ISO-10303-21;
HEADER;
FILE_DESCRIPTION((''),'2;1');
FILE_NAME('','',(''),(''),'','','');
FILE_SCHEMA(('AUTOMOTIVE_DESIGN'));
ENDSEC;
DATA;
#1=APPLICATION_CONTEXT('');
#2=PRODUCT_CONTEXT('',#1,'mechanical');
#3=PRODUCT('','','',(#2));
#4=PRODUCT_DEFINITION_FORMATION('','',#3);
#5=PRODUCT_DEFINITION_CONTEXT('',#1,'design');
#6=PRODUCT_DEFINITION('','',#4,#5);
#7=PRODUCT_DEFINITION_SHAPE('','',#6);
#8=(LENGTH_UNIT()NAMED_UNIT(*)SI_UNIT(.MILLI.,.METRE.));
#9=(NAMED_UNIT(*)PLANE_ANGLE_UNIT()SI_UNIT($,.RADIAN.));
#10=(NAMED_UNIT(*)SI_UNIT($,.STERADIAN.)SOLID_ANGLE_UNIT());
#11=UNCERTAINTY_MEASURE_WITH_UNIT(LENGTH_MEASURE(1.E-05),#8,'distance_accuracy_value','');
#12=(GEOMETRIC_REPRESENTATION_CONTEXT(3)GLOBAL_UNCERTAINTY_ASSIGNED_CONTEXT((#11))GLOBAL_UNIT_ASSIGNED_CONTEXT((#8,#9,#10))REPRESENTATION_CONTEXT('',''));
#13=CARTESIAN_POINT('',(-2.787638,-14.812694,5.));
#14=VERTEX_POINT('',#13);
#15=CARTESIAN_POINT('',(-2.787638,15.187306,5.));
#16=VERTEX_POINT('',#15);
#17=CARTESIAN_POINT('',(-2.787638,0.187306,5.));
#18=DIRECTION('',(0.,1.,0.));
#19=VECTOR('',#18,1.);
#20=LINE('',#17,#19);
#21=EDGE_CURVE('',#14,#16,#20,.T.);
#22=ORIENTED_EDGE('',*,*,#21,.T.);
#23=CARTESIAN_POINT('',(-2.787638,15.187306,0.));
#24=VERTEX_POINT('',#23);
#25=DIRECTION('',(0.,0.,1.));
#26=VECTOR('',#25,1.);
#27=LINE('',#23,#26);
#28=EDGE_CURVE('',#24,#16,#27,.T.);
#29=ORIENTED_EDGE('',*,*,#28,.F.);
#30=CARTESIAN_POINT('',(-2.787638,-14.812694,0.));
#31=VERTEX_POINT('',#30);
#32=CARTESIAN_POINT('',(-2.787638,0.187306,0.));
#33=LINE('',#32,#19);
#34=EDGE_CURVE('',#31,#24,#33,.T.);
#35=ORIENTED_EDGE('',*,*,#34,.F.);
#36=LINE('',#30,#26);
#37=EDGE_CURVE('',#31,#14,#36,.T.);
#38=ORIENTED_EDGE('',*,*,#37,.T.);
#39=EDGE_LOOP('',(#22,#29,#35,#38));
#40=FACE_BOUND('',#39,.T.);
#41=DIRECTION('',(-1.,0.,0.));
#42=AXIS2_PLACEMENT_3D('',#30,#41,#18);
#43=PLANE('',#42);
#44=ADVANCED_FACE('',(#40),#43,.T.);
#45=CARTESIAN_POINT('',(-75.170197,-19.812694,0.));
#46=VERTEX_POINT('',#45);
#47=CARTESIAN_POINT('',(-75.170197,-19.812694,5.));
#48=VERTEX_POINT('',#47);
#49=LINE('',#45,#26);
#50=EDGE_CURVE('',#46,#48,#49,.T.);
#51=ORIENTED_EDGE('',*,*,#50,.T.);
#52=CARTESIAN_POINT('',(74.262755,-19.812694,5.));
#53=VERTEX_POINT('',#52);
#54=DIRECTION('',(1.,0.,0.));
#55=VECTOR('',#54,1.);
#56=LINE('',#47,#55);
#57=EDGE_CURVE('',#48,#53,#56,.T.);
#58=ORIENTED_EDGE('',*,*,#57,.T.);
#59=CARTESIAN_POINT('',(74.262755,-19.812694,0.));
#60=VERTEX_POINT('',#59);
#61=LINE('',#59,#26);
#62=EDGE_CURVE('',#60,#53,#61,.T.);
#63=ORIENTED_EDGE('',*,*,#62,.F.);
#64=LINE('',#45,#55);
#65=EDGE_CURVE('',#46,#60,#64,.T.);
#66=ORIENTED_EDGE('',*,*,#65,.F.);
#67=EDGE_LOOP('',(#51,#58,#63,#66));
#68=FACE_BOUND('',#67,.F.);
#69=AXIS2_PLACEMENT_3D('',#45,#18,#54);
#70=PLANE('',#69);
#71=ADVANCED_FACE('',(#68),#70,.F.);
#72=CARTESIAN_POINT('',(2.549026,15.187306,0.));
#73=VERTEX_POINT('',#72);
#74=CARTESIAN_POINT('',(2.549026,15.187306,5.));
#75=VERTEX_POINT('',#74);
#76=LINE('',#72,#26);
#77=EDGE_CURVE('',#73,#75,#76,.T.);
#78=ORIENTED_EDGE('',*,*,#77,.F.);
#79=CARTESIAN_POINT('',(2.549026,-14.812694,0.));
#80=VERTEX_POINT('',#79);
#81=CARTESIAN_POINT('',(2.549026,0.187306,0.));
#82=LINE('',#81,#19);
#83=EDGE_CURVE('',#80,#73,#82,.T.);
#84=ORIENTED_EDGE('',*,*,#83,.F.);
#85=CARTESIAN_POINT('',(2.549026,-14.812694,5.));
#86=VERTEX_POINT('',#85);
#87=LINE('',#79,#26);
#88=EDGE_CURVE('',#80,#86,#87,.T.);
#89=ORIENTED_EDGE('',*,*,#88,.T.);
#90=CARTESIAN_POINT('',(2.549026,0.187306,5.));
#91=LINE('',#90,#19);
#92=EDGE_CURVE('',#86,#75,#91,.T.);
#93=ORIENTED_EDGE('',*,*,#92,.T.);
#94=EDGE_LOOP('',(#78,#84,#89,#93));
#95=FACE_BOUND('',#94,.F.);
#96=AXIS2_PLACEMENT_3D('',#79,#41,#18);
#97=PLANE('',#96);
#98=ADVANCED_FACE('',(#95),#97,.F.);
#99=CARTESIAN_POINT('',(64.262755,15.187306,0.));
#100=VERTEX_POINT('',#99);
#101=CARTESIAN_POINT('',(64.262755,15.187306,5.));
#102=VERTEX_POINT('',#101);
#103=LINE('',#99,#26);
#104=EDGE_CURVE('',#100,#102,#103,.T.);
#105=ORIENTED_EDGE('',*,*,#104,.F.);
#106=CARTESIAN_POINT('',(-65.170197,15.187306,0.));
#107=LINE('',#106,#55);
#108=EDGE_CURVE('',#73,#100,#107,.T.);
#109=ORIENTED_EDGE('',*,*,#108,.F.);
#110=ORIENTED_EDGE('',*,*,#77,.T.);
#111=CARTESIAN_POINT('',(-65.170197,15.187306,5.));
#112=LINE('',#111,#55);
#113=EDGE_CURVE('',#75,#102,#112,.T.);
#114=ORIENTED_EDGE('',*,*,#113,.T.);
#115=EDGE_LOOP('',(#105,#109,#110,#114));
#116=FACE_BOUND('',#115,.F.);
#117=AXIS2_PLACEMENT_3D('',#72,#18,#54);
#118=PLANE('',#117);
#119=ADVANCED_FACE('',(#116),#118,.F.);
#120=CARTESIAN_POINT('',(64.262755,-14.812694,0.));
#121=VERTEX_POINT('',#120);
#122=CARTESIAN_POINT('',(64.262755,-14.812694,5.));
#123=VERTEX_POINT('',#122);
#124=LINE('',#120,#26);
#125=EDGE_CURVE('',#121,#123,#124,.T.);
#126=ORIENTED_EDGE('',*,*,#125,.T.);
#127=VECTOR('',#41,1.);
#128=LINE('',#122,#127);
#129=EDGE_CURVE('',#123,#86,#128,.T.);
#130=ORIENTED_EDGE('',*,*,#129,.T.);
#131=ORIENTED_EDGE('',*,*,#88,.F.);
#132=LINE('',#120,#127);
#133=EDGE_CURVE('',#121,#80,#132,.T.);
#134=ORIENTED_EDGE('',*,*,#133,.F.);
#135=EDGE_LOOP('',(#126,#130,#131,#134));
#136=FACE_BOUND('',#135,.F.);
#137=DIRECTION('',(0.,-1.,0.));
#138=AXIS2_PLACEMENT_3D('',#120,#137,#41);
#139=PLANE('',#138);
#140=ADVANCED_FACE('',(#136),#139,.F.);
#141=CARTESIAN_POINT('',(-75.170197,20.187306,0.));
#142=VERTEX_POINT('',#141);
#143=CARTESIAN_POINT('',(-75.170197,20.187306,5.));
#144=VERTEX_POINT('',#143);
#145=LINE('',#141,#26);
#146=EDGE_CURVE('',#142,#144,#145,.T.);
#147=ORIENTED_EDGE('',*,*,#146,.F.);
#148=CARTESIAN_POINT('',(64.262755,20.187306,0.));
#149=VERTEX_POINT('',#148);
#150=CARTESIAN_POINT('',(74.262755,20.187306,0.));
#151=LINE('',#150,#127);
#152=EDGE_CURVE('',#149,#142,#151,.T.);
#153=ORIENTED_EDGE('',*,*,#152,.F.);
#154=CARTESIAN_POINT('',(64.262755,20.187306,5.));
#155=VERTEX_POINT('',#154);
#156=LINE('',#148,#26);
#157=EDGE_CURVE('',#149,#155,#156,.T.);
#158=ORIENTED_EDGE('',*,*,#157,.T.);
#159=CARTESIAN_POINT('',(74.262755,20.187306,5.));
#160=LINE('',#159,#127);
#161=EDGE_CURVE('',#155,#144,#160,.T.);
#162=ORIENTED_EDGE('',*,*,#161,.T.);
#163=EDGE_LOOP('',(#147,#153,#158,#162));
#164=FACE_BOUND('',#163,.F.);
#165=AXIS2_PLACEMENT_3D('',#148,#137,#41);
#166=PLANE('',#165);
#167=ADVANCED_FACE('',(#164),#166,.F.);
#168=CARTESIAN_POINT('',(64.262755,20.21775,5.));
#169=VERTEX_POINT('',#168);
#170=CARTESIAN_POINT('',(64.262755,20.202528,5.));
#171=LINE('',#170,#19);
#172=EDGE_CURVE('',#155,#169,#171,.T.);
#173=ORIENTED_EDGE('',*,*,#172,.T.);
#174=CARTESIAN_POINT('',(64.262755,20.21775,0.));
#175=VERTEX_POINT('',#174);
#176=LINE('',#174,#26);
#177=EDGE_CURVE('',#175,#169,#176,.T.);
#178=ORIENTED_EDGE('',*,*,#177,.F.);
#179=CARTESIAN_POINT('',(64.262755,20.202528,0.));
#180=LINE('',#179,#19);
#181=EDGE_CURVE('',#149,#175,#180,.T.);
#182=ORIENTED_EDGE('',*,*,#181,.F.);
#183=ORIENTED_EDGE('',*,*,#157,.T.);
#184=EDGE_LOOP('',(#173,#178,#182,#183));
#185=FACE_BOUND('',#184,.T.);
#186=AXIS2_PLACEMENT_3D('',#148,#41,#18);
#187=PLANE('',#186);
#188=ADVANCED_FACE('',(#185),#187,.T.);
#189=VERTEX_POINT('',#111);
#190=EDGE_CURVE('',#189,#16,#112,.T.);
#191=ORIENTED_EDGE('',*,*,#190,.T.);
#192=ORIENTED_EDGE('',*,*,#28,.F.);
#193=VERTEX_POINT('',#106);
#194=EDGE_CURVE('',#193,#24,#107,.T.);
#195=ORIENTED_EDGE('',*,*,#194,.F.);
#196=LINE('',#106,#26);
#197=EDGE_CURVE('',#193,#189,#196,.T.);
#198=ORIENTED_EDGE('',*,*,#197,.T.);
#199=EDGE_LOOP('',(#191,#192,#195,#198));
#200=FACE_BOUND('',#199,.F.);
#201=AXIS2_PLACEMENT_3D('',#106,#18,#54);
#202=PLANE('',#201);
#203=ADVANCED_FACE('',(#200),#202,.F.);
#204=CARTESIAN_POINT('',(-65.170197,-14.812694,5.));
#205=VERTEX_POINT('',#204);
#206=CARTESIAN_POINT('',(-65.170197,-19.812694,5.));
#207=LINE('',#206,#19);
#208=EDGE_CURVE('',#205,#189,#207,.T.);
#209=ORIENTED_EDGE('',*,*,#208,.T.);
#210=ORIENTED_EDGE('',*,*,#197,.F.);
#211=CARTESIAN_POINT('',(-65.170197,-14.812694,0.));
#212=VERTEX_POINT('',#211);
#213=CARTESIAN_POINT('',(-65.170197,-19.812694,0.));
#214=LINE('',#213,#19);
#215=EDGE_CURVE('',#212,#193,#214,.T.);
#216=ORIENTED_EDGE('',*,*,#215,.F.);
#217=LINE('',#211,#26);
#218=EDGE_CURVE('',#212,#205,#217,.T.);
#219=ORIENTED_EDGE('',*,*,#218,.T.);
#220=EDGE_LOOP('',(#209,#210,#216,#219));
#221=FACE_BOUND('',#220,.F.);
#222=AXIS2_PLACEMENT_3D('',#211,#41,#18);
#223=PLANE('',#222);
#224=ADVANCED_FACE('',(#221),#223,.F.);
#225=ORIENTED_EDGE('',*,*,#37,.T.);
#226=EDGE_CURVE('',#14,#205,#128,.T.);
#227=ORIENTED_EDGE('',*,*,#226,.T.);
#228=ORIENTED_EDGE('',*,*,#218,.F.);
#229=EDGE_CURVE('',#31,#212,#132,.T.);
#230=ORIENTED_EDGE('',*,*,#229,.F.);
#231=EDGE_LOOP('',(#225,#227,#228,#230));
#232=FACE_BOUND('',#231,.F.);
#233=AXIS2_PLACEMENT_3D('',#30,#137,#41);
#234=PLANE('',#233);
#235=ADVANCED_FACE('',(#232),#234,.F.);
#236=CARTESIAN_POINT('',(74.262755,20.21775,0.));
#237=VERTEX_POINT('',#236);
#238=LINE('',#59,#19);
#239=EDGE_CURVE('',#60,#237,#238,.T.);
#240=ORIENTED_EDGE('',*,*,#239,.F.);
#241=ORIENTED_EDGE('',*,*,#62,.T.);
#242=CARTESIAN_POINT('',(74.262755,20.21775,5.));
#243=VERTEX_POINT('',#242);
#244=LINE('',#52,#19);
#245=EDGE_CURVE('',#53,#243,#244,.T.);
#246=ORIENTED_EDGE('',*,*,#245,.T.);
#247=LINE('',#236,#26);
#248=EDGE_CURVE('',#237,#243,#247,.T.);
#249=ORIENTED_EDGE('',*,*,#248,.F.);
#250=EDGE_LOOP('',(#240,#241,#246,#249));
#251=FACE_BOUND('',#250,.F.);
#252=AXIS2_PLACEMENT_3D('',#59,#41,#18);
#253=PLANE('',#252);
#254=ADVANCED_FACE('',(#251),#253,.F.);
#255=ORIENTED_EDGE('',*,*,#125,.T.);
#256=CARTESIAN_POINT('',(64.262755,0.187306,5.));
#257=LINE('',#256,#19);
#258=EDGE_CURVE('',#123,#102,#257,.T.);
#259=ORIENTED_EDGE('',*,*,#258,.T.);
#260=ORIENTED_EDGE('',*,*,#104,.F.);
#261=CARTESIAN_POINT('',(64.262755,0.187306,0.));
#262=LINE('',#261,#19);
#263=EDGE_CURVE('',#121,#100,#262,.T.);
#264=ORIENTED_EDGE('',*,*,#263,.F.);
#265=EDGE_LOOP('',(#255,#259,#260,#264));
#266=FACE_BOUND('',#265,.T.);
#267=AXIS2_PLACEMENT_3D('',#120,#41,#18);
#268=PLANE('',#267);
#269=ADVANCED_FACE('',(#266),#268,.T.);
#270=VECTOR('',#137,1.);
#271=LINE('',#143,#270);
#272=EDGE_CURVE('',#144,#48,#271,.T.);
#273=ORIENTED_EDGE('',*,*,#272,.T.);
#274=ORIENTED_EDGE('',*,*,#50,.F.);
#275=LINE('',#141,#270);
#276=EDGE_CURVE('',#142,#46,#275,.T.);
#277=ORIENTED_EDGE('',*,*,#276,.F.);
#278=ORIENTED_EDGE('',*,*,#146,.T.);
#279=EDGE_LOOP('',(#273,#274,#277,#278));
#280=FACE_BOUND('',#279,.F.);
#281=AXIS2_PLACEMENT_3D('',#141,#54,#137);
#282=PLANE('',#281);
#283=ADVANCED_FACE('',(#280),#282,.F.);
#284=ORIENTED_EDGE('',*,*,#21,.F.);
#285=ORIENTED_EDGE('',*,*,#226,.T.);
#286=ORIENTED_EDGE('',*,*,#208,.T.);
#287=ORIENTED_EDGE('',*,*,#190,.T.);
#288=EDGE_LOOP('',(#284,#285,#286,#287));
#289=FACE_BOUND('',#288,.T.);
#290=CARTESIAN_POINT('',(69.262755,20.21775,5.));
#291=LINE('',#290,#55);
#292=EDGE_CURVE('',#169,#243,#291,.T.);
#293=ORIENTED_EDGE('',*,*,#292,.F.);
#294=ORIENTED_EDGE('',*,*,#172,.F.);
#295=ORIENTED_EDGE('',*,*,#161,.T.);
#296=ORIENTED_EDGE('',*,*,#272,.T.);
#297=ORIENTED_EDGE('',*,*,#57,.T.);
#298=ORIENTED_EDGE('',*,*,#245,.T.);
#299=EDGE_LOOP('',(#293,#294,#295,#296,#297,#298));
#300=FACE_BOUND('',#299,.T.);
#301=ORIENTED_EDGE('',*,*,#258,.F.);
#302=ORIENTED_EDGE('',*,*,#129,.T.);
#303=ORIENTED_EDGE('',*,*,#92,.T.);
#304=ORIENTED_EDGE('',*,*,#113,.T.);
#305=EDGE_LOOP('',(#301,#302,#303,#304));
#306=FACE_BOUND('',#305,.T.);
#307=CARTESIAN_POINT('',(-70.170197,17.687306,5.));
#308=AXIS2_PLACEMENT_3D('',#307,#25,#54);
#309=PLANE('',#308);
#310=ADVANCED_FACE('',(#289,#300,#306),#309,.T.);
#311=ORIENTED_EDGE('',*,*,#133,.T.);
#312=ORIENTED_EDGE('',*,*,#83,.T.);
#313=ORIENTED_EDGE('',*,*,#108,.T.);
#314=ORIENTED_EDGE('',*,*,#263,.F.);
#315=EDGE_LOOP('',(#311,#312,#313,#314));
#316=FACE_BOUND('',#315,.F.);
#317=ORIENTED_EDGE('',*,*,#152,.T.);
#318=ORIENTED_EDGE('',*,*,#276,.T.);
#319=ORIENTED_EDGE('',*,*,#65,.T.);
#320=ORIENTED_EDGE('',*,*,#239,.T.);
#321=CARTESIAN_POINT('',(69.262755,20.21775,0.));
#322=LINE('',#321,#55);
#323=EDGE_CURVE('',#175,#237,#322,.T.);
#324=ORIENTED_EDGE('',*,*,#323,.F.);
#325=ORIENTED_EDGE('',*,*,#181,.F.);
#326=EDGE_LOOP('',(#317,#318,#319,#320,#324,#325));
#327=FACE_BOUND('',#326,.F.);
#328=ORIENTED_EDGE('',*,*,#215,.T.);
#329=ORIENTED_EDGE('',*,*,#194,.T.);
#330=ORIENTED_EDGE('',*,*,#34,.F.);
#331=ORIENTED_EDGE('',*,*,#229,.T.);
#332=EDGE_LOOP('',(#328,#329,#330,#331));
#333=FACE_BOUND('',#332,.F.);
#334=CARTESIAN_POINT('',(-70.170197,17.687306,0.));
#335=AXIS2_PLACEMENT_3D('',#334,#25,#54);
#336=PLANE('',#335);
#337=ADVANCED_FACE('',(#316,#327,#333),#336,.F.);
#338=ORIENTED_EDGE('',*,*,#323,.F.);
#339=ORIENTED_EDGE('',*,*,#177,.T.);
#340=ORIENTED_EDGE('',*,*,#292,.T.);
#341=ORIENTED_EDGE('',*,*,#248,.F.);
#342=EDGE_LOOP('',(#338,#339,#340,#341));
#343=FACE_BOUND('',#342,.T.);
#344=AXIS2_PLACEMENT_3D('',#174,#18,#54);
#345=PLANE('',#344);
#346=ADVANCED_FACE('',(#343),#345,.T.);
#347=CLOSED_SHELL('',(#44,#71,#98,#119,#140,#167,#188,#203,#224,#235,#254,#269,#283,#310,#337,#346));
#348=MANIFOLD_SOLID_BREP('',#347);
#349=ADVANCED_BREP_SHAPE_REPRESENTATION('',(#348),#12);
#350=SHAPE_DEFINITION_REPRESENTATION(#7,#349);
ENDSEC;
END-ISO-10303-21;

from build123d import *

# Parameters (mm, degrees)
F0_W     = 10
F0_H     = 5
F0_W_2   = 62.3825581372
F0_H_2   = 30
F0_W_3   = 5.3366641514
F0_W_4   = 61.7137295194
F0_H_3   = 0.0304440409
F0_H_4   = 4.9695559591
F1_DEPTH = 5


with BuildPart() as f1:
    # F0 (on Top) → F1 (new body)
    with BuildSketch(Plane.XY):
        with Locations((-70.1701965928, 17.6873061806)):
            Rectangle(F0_W, F0_H)
        with Locations((-33.9789175242, 17.6873061806)):
            Rectangle(F0_W_2, F0_H)
        with Locations((-70.1701965928, 0.1873061806)):
            Rectangle(F0_W, F0_H_2)
        with Locations((-0.1193063799, 17.6873061806)):
            Rectangle(F0_W_3, F0_H)
        with Locations((-70.1701965928, -17.3126938194)):
            Rectangle(F0_W, F0_H)
        with Locations((-33.9789175242, -17.3126938194)):
            Rectangle(F0_W_2, F0_H)
        with Locations((33.4058904555, 17.6873061806)):
            Rectangle(F0_W_4, F0_H)
        with Locations((-0.1193063799, -17.3126938194)):
            Rectangle(F0_W_3, F0_H)
        with Locations((69.2627552152, 17.6873061806)):
            Rectangle(F0_W, F0_H)
        with Locations((69.2627552152, 20.202528201)):
            Rectangle(F0_W, F0_H_3)
        Polygon((64.2627552152, -14.8126938194), (2.5490256958, -14.8126938194), (2.5490256958, -19.8126938194), (74.2627552152, -19.8126938194), (74.2627552152, -19.7822497785), (64.2627552152, -19.7822497785), align=None)
        with Locations((69.2627552152, 0.1873061806)):
            Rectangle(F0_W, F0_H_2)
        with Locations((69.2627552152, -17.297471799)):
            Rectangle(F0_W, F0_H_4)
        with Locations((-0.1193063799, 0.1873061806)):
            Rectangle(F0_W_3, F0_H_2)
    extrude(amount=F1_DEPTH)


solid = f1.part
